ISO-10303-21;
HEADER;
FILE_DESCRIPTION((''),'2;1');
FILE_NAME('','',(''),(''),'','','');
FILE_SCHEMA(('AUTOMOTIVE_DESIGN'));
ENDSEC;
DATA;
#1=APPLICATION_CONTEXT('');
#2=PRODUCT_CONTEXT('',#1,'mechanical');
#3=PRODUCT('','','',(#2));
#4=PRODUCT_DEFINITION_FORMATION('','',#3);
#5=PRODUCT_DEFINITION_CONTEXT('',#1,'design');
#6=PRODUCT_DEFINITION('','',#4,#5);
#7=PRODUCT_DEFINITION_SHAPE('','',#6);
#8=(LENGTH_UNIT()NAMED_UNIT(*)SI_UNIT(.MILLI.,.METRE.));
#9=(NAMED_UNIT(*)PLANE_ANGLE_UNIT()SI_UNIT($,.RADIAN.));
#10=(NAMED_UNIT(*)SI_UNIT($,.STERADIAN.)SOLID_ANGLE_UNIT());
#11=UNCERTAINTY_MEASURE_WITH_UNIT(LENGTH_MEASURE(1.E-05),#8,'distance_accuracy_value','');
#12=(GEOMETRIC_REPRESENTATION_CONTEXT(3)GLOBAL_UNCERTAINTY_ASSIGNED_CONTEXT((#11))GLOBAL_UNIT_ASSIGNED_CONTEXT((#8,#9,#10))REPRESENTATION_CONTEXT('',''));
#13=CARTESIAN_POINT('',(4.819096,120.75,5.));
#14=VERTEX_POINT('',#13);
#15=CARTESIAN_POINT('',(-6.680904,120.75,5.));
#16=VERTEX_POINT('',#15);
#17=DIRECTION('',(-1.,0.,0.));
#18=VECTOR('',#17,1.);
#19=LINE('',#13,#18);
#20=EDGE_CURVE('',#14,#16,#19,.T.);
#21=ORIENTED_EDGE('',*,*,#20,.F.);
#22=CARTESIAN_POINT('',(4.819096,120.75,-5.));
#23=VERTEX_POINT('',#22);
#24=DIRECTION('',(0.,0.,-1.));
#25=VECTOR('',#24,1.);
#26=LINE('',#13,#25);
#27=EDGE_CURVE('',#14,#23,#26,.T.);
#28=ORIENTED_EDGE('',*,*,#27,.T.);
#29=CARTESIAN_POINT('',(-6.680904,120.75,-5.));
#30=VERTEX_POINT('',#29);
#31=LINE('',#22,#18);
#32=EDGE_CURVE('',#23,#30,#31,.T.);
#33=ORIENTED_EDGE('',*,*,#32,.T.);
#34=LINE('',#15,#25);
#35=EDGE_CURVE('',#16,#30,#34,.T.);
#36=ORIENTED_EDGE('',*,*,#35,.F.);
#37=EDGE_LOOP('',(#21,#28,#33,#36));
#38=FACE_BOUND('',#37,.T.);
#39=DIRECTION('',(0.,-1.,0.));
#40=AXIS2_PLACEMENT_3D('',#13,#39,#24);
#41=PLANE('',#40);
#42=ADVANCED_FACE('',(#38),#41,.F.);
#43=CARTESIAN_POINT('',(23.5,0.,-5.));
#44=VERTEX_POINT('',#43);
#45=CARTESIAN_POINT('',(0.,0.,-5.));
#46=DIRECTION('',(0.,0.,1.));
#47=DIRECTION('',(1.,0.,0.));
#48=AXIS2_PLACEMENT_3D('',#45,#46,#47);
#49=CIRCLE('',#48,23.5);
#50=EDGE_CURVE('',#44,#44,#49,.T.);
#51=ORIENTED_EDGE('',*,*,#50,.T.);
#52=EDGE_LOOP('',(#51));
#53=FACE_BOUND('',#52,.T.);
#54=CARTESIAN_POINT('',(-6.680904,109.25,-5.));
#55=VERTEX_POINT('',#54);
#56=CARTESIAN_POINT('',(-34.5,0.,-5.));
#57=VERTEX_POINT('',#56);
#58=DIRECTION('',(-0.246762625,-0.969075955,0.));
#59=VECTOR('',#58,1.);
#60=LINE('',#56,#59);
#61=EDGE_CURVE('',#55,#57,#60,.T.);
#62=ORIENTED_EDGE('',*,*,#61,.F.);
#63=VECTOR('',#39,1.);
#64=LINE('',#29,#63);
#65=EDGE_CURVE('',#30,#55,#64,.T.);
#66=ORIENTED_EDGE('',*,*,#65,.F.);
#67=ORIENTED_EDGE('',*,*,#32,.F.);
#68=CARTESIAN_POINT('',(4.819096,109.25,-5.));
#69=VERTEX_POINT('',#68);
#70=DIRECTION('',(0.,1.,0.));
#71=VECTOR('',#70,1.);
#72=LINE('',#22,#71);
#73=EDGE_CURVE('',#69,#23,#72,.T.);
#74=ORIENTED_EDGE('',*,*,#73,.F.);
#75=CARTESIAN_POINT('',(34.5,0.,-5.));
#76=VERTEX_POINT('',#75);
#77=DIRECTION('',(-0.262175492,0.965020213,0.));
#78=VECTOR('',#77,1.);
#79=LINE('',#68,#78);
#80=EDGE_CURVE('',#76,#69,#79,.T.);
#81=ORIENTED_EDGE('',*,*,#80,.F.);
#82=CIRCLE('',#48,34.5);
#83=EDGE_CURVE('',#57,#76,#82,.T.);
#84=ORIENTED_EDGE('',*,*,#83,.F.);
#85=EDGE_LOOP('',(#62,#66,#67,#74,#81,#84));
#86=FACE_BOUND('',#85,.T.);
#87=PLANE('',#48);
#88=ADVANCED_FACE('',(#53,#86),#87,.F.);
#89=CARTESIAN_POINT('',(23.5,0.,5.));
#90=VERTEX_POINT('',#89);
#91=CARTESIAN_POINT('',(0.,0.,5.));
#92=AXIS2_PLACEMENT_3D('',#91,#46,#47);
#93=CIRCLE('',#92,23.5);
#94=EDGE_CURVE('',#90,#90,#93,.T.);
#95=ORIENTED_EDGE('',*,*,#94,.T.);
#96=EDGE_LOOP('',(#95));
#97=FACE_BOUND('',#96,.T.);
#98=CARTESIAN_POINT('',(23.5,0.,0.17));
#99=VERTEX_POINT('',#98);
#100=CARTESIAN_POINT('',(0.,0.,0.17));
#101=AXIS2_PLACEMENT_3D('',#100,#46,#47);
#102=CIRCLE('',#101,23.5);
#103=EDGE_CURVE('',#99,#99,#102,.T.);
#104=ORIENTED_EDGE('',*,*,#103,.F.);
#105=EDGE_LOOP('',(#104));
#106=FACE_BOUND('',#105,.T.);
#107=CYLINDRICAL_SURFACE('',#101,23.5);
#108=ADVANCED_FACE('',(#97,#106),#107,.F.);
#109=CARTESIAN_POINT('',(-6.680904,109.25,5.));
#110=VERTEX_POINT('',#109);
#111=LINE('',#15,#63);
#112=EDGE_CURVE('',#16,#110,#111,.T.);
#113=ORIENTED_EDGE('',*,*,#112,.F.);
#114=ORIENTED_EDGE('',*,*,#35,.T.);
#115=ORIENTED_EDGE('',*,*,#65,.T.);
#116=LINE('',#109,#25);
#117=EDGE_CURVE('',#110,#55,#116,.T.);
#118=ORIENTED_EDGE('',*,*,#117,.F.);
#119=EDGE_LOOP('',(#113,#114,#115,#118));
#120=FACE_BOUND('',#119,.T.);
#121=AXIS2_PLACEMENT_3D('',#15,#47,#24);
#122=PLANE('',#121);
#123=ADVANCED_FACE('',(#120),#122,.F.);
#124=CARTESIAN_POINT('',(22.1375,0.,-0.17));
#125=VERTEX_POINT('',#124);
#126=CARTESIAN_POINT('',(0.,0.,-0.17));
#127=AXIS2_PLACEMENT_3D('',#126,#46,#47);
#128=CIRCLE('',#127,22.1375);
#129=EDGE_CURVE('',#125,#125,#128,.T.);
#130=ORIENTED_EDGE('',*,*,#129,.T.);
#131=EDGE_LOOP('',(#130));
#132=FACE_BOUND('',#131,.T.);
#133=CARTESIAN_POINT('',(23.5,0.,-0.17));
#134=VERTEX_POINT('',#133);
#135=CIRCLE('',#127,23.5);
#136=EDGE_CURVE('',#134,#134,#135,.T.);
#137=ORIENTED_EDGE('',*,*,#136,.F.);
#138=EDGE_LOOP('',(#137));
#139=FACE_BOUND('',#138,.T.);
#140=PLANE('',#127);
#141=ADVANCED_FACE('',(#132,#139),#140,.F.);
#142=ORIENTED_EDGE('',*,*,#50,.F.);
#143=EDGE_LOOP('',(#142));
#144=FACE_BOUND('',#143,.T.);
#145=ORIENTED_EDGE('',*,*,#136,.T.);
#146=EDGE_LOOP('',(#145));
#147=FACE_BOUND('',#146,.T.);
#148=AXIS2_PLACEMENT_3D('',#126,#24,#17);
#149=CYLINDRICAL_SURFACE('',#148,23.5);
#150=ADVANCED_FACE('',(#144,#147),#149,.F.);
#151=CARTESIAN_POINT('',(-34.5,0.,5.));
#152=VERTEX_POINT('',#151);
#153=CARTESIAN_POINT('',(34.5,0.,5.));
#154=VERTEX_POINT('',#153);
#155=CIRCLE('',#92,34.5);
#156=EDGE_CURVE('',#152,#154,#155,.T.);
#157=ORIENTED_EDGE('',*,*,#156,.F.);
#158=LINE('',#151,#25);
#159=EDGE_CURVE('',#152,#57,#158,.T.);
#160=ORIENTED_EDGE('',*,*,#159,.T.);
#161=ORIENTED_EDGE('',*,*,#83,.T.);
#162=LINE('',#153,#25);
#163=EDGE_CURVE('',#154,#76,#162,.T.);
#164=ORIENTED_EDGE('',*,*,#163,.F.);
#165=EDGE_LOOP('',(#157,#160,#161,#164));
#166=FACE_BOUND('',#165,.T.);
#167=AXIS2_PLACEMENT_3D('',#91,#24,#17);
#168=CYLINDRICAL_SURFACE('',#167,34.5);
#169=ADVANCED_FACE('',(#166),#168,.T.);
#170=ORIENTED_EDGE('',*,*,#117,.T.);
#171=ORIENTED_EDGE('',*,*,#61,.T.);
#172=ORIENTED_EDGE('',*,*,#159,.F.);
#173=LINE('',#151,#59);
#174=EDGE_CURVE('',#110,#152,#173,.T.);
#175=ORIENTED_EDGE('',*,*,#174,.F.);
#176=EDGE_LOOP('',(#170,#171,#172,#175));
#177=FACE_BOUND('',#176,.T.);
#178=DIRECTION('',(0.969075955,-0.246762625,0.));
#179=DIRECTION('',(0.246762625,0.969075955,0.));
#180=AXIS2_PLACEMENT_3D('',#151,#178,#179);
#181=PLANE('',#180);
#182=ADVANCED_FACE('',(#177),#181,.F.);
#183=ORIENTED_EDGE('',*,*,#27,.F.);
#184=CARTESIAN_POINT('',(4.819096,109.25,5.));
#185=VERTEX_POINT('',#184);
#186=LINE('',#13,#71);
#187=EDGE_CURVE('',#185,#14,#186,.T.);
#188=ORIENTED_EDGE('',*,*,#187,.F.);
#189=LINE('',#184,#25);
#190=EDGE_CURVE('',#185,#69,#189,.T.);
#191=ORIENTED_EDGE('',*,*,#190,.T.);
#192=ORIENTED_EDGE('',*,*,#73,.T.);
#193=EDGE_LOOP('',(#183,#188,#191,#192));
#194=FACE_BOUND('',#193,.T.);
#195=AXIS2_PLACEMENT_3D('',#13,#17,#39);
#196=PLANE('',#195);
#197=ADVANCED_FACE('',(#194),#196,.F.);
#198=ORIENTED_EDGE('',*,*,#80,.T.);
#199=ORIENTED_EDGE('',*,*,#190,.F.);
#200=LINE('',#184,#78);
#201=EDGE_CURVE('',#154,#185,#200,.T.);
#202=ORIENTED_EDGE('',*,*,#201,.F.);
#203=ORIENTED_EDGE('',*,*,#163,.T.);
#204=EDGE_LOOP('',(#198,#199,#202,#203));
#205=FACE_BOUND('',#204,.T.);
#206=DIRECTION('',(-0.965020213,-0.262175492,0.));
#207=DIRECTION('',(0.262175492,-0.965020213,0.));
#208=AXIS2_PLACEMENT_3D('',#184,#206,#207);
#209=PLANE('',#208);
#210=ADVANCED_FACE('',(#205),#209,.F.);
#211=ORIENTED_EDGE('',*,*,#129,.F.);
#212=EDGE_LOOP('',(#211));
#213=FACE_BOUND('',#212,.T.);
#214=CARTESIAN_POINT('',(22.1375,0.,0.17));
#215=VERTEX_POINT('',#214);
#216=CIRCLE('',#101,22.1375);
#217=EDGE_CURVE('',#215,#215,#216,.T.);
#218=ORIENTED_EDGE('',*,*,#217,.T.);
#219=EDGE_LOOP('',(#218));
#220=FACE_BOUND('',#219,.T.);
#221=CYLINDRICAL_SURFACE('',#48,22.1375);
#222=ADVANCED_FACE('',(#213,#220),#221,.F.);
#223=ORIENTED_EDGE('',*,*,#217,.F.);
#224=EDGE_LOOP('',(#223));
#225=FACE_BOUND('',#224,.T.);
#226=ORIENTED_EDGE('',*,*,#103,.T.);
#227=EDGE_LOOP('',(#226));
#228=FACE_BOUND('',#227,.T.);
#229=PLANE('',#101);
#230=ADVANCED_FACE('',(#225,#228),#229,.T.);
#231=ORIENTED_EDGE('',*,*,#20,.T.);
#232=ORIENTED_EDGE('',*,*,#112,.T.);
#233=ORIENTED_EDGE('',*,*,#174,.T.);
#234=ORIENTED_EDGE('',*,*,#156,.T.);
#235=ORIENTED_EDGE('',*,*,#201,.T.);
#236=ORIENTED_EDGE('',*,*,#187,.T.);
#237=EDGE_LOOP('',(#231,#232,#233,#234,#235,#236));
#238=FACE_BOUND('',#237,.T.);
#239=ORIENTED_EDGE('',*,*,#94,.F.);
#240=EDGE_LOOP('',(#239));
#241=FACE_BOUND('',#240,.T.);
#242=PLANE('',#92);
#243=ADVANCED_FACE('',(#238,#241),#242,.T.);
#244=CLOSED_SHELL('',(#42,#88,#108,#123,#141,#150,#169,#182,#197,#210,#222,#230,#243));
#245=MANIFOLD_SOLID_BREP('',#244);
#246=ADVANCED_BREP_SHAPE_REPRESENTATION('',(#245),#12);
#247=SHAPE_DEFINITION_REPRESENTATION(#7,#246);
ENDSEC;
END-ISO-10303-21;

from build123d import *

# Parameters (mm, degrees)
BOSS_EXTRUDE1_DEPTH     = 5
CUT_EXTRUDE1_START      = 5
SKETCH2_R               = 23.5
CUT_EXTRUDE1_DEPTH      = 4.83
CUT_EXTRUDE2_START      = -5
SKETCH2_2_R             = 23.5
CUT_EXTRUDE2_DEPTH      = 4.83
SKETCH3_R               = 22.1375
CUT_EXTRUDE3_DEPTH      = 6
CUT_EXTRUDE3_DEPTH_BACK = 6


with BuildPart() as part:
    # Sketch1 → Boss-Extrude1 (new body, symmetric)
    with BuildSketch(Plane.XY):
        with BuildLine():
            Line((4.819095737, 120.75), (-6.680904263, 120.75))
            Line((-6.680904263, 120.75), (-6.680904263, 109.25))
            Line((-6.680904263, 109.25), (-34.5, 0))
            ThreePointArc((-34.5, 0), (0, -34.5), (34.5, 0))
            Line((34.5, 0), (4.819095737, 109.25))
            Line((4.819095737, 109.25), (4.819095737, 120.75))
        make_face()
    extrude(amount=BOSS_EXTRUDE1_DEPTH, both=True)

    # Sketch2 → Cut-Extrude1 (cut)
    with BuildSketch(Plane.XY.offset(CUT_EXTRUDE1_START)):
        Circle(SKETCH2_R)
    extrude(amount=-CUT_EXTRUDE1_DEPTH, mode=Mode.SUBTRACT)

    # Sketch2<2> → Cut-Extrude2 (cut)
    with BuildSketch(Plane.XY.offset(CUT_EXTRUDE2_START)):
        Circle(SKETCH2_2_R)
    extrude(amount=CUT_EXTRUDE2_DEPTH, mode=Mode.SUBTRACT)

    # Sketch3 → Cut-Extrude3 (cut, two sides)
    with BuildSketch(Plane.XY) as cut_extrude3_sk:
        Circle(SKETCH3_R)
    extrude(amount=CUT_EXTRUDE3_DEPTH, mode=Mode.SUBTRACT)
    extrude(cut_extrude3_sk.sketch, amount=-CUT_EXTRUDE3_DEPTH_BACK, mode=Mode.SUBTRACT)


solid = part.part
